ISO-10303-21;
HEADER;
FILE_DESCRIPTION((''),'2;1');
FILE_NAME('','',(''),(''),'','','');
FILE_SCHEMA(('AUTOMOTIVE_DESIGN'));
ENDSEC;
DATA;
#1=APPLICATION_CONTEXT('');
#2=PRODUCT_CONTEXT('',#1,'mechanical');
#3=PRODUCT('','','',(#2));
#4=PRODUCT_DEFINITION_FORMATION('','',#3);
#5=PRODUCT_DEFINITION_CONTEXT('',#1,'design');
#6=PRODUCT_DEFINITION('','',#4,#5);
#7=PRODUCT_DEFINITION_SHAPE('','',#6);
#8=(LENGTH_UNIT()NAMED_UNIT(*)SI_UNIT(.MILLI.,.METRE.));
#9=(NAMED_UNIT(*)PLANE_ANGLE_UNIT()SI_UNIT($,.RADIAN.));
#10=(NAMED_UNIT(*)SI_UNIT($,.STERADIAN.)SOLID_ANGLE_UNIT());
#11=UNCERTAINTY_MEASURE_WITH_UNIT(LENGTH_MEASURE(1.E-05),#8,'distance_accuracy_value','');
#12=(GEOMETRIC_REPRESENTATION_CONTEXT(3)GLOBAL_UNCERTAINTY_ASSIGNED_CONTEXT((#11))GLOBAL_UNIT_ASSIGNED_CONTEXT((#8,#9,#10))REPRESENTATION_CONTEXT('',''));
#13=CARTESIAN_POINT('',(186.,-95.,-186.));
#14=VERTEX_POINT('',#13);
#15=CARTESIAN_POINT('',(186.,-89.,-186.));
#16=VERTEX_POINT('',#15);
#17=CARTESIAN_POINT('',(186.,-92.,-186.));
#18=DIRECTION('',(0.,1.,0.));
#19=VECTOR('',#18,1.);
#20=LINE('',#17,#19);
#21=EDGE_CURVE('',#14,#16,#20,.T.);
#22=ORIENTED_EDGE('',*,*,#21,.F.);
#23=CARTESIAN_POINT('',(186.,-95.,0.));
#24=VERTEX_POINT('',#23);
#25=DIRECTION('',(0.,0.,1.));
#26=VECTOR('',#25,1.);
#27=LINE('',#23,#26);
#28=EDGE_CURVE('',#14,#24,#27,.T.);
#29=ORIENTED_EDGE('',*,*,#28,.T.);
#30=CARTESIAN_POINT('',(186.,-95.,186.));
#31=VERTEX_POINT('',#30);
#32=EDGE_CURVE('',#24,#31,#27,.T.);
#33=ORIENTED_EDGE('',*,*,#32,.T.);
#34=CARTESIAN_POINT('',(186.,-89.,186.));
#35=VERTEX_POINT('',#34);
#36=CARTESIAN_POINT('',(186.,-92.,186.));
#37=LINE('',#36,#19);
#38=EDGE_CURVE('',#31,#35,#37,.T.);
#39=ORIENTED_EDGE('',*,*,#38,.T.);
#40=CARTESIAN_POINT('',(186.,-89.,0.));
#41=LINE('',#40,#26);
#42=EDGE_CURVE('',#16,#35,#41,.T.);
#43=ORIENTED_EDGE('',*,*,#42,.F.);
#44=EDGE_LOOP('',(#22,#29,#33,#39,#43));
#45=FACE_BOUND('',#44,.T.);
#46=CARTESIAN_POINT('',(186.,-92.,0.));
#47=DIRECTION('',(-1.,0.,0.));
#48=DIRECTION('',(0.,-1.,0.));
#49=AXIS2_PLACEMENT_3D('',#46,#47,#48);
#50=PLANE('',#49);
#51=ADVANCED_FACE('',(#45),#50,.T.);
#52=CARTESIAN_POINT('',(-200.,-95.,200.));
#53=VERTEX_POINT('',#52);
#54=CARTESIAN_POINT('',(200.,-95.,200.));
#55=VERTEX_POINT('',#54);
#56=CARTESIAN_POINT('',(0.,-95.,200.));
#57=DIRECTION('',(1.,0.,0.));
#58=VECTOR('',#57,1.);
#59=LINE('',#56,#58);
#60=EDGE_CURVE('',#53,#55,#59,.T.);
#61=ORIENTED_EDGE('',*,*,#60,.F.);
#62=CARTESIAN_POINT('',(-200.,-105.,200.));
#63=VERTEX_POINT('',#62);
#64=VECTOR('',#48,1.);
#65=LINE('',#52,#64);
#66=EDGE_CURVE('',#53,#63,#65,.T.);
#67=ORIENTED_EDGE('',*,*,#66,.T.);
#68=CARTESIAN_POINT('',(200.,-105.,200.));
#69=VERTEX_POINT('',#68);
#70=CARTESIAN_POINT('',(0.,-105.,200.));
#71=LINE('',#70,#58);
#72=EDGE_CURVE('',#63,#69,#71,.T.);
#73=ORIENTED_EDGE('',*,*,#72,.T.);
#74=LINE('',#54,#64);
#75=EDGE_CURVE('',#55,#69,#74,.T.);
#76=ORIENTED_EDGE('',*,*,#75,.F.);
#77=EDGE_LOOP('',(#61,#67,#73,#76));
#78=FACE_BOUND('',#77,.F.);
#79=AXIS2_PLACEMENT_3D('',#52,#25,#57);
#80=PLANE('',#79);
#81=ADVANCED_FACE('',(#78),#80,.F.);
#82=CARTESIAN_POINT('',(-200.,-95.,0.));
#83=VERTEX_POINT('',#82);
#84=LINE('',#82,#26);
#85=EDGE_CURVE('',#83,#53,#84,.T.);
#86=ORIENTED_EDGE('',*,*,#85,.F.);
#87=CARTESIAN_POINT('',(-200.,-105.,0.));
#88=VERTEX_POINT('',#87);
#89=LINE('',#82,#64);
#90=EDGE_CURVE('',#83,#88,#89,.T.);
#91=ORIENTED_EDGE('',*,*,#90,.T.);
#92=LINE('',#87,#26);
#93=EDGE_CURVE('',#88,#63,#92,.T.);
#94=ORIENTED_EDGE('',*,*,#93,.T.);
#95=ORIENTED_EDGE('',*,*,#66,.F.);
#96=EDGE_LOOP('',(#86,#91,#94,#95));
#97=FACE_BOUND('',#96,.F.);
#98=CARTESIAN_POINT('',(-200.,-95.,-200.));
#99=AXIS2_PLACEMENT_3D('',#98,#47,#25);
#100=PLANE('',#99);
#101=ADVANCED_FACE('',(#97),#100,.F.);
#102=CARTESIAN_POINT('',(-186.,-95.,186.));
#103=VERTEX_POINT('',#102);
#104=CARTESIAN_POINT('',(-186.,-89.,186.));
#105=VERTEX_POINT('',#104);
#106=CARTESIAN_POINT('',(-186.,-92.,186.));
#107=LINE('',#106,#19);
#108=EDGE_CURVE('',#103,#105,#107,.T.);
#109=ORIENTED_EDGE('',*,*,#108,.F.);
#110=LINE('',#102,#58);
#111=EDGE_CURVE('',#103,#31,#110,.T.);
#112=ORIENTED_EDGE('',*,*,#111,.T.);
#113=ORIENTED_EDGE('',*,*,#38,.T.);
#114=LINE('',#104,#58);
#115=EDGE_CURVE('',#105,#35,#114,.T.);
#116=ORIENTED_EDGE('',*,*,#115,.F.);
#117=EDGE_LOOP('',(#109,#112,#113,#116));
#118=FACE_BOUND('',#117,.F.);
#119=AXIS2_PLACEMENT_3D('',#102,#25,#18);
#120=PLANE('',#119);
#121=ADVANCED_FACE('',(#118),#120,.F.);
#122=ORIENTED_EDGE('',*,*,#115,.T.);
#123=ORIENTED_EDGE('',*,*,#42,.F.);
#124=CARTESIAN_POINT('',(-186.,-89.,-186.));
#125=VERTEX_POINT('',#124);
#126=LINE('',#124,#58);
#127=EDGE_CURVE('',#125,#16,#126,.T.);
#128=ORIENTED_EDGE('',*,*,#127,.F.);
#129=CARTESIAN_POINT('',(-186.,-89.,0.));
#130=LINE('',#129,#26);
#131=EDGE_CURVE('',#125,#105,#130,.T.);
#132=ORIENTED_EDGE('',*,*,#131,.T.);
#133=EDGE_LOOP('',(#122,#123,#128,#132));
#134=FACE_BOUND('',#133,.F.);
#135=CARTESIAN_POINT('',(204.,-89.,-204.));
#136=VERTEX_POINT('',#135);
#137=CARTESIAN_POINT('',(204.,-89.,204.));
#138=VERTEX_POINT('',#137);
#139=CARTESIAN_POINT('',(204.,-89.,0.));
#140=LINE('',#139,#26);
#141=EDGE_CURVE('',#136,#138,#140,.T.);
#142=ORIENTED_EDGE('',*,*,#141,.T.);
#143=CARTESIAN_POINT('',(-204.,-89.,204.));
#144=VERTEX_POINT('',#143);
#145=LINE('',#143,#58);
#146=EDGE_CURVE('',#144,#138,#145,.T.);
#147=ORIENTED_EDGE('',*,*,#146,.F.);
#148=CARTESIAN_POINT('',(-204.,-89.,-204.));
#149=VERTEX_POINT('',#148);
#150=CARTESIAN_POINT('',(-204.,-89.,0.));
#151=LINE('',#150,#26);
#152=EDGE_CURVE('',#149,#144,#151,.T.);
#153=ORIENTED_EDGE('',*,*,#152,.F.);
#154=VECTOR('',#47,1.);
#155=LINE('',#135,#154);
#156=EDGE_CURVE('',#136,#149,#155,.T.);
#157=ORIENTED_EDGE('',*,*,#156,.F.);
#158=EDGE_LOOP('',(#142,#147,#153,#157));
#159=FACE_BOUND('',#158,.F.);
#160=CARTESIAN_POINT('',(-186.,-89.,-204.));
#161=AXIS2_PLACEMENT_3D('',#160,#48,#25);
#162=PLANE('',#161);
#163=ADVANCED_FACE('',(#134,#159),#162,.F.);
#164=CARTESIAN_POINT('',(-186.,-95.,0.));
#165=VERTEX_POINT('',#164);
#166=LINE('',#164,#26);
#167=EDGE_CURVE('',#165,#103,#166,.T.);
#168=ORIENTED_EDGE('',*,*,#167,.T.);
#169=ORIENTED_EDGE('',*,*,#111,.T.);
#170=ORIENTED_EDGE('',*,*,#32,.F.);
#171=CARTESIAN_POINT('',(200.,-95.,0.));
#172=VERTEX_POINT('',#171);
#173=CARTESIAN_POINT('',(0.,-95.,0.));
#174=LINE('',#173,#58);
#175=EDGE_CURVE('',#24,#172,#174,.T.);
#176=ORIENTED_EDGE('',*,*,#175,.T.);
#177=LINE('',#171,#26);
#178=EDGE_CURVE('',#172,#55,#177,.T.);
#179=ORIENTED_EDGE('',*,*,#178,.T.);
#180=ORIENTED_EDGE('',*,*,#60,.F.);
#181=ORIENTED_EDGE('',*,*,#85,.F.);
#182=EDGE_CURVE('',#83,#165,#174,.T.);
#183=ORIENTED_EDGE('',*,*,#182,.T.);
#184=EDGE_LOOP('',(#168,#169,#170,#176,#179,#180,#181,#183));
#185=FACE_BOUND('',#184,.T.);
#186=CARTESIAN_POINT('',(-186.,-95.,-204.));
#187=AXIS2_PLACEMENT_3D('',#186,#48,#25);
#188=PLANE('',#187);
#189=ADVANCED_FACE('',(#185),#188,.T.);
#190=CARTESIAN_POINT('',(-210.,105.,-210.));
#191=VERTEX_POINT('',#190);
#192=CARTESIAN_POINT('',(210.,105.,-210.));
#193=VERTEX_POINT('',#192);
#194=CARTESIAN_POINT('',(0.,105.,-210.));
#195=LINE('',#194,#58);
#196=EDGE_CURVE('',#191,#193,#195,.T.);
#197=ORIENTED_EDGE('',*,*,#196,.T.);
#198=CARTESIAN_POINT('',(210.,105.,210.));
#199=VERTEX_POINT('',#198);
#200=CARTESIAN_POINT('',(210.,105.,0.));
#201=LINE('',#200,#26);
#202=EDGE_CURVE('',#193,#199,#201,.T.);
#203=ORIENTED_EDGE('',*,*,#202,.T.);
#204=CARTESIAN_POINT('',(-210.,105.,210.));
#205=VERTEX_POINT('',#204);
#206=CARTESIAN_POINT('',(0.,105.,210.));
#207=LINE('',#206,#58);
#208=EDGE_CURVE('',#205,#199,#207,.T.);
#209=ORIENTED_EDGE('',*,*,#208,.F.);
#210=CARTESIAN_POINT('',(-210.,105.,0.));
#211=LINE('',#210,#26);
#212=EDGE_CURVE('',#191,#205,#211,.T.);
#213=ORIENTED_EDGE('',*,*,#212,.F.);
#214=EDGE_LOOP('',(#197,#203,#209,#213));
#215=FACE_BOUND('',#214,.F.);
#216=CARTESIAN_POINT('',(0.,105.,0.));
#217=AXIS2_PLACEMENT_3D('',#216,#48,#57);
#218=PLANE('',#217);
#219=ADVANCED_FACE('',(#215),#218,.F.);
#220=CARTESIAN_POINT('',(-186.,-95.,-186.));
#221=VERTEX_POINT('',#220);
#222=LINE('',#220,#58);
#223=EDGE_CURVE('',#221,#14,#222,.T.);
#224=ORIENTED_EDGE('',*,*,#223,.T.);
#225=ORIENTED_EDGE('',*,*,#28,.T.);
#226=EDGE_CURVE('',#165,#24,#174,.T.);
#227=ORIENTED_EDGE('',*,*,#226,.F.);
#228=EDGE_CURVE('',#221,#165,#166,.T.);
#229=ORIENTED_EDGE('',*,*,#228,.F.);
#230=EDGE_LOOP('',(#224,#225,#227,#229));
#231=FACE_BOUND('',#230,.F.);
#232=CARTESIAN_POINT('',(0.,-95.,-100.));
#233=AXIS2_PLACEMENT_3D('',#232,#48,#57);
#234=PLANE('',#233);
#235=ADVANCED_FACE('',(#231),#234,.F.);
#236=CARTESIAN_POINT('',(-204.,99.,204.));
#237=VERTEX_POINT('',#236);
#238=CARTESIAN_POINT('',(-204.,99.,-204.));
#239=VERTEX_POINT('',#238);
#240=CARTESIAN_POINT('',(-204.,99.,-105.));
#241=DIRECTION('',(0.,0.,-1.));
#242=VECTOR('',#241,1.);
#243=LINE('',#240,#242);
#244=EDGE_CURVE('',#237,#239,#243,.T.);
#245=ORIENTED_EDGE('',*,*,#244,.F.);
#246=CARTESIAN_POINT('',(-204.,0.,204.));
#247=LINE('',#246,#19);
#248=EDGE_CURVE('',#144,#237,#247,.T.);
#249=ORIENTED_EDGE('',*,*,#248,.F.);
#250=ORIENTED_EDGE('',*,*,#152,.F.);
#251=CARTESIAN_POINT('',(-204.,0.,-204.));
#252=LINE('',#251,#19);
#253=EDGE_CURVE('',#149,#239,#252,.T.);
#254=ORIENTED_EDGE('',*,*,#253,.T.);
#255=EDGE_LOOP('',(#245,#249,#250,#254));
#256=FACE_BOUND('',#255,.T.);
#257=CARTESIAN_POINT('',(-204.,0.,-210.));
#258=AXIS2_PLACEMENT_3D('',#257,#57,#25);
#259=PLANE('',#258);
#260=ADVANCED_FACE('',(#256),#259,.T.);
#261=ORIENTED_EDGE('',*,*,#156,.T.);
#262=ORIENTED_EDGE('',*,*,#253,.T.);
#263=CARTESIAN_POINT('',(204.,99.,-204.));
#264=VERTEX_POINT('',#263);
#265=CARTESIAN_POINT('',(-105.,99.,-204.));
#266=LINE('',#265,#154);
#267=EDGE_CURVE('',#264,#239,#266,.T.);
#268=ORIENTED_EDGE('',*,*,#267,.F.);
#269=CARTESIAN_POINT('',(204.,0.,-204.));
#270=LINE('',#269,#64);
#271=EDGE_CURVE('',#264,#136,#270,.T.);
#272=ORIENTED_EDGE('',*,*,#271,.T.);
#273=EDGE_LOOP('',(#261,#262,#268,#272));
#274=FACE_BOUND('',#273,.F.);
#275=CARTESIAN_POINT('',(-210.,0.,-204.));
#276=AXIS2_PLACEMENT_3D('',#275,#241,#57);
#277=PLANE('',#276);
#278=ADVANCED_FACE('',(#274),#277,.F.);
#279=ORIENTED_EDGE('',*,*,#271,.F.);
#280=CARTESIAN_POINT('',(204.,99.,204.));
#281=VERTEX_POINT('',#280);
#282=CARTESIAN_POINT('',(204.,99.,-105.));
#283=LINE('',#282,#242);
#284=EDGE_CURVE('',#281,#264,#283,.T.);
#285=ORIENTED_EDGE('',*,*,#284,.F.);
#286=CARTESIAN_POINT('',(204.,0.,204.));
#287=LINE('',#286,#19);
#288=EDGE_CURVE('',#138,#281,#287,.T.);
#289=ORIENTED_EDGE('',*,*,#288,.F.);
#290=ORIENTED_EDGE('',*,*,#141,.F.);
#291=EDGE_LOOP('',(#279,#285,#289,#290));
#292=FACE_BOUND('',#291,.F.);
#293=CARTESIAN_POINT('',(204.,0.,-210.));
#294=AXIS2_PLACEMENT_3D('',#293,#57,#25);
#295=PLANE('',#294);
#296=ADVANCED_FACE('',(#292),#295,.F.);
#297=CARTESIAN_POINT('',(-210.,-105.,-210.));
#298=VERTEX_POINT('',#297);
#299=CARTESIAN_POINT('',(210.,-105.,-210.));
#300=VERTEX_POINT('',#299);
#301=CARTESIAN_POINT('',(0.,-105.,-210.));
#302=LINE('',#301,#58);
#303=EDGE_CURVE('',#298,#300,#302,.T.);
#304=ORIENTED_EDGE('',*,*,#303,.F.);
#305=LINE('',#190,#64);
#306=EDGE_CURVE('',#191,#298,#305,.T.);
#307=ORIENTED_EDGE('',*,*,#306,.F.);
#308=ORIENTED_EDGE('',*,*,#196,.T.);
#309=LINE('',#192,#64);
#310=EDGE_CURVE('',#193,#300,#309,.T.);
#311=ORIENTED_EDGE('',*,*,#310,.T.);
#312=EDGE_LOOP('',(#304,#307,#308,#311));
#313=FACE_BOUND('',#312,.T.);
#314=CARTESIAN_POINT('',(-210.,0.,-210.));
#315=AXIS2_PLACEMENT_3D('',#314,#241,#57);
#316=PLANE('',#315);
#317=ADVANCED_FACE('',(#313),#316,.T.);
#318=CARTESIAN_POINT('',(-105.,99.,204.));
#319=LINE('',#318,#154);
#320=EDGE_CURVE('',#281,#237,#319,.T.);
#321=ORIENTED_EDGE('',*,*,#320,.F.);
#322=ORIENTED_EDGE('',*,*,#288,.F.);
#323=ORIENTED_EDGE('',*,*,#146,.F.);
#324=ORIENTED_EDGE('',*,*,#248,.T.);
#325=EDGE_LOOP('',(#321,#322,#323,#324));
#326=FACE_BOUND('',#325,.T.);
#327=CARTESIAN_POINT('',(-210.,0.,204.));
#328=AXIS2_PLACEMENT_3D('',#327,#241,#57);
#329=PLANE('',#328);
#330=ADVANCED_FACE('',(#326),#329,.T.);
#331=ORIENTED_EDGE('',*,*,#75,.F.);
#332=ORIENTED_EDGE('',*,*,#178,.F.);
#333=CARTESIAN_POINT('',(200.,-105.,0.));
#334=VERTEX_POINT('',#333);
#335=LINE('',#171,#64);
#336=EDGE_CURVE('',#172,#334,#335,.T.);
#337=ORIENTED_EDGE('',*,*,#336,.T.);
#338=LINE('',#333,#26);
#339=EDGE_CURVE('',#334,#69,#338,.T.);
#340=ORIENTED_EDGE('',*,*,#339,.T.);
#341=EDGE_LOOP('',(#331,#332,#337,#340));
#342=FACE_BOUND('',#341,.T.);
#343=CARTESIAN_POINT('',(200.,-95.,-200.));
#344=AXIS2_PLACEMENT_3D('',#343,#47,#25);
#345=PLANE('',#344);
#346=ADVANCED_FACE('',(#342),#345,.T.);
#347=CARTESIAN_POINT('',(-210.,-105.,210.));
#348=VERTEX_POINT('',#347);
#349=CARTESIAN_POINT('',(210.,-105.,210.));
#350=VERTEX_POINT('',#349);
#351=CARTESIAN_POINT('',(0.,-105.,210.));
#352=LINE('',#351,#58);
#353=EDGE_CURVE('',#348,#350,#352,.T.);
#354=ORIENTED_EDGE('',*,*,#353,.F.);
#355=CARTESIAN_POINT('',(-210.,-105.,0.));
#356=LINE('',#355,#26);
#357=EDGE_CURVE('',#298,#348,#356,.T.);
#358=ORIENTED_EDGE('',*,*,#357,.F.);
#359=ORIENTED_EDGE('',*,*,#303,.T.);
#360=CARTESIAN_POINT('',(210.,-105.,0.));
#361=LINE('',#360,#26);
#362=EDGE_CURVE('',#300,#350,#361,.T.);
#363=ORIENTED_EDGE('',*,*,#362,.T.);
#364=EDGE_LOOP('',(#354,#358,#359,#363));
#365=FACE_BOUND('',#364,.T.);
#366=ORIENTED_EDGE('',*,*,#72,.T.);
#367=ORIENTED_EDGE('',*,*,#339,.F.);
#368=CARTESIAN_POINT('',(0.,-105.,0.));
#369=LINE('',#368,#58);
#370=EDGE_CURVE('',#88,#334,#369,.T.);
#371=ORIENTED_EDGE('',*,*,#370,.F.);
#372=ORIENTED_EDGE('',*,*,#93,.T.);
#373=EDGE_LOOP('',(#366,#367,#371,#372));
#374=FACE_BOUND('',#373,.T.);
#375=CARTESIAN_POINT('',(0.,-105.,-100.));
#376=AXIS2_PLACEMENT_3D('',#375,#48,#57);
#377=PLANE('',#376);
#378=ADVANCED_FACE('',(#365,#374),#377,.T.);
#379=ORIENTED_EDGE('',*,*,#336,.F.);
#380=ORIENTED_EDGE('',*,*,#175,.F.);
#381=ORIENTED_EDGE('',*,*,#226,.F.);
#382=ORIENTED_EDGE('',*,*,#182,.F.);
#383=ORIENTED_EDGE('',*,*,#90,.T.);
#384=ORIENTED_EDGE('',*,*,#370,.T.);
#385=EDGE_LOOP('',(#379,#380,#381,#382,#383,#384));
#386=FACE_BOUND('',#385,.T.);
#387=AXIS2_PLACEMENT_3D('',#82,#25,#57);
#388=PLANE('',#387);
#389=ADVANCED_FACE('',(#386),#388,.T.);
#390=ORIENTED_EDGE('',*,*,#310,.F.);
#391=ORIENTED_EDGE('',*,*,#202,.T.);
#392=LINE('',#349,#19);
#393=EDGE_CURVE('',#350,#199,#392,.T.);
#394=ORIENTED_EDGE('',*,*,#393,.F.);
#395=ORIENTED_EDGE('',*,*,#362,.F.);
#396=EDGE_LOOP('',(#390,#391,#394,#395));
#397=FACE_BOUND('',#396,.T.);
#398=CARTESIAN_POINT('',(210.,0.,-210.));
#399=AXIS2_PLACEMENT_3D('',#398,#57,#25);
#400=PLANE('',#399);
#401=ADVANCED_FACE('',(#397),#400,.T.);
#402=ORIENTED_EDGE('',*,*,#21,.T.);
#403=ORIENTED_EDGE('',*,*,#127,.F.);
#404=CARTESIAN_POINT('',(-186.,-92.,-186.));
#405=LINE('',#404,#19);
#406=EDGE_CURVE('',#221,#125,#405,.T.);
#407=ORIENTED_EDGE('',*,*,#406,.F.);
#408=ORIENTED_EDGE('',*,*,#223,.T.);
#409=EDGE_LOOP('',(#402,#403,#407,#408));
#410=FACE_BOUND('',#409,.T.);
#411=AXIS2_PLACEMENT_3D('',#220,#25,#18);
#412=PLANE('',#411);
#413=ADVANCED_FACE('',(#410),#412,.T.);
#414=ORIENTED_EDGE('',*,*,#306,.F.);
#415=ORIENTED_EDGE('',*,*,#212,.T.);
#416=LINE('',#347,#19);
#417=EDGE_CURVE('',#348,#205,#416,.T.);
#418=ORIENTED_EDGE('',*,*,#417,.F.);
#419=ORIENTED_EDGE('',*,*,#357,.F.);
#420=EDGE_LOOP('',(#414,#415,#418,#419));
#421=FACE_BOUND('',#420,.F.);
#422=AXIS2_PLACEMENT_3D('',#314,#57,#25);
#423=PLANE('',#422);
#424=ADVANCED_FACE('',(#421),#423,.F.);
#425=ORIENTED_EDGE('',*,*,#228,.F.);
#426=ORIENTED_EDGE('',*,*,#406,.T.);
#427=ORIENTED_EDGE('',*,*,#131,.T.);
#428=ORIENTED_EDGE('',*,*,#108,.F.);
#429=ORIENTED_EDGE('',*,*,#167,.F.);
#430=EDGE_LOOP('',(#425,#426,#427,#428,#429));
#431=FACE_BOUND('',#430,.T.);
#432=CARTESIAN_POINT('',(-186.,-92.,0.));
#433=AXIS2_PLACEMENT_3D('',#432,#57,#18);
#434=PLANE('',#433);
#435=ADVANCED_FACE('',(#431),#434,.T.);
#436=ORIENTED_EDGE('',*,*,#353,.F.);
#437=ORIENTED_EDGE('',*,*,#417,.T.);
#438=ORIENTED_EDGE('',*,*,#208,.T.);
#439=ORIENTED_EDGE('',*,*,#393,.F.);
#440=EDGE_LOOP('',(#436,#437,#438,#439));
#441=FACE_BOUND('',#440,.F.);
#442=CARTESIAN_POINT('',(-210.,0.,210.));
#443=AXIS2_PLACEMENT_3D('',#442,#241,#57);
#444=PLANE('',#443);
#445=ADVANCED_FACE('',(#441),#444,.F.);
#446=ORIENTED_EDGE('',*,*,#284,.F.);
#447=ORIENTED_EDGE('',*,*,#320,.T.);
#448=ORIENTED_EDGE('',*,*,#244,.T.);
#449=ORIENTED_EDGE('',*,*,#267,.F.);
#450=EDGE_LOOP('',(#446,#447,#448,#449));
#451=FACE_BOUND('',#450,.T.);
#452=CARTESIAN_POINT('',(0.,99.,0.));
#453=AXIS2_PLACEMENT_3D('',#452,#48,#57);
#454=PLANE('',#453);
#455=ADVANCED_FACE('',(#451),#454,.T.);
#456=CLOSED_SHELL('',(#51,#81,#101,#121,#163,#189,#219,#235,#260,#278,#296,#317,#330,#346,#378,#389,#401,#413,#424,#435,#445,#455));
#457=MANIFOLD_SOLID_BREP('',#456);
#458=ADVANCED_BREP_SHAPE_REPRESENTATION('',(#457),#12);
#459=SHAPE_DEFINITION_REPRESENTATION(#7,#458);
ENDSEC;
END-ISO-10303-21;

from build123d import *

# Parameters (mm, degrees)
F0_W      = 420
F0_H      = 420
F1_DEPTH  = 105
F2_T      = -6
F3_W      = 6
F3_H      = 408
F4_DEPTH  = 18
F5_W      = 6
F5_H      = 408
F6_DEPTH  = 18
F7_W      = 6
F7_H      = 18
F8_DEPTH  = 372
F9_W      = 6
F9_H      = 18
F10_DEPTH = 372
F11_W     = 408
F11_H     = 408
F11_W_2   = 400
F11_H_2   = 400
F12_DEPTH = 10
F13_W     = 400
F13_H     = 200
F14_DEPTH = 10


with BuildPart() as f1:
    # F0 (on Front) → F1 (new body, symmetric)
    with BuildSketch(Plane.XZ):
        Rectangle(F0_W, F0_H)
    extrude(amount=F1_DEPTH, both=True)

    # F2
    f2_openings = [f1.faces().sort_by_distance(p)[0] for p in [
        (0, -105, 0),
    ]]
    offset(amount=F2_T, openings=f2_openings)

    # F3 (on face) → F4 (join)
    with BuildSketch(Plane.YZ.offset(-204)):
        with Locations((-92, 0)):
            Rectangle(F3_W, F3_H)
    extrude(amount=F4_DEPTH)

    # F5 (on face) → F6 (join)
    with BuildSketch(Plane(origin=(204, 0, 0), x_dir=(0, -1, 0), z_dir=(-1, 0, 0))):
        with Locations((92, 0)):
            Rectangle(F5_W, F5_H)
    extrude(amount=F6_DEPTH)

    # F7 (on face) → F8 (join, through all)
    with BuildSketch(Plane.YZ.offset(-186)):
        with Locations((-92, 195)):
            Rectangle(F7_W, F7_H)
    extrude(amount=F8_DEPTH)

    # F9 (on face) → F10 (join, through all)
    with BuildSketch(Plane.YZ.offset(-186)):
        with Locations((-92, -195)):
            Rectangle(F9_W, F9_H)
    extrude(amount=F10_DEPTH)

    # F11 (on face) → F12 (join)
    with BuildSketch(Plane.XZ.offset(95)):
        Rectangle(F11_W, F11_H)
        Rectangle(F11_W_2, F11_H_2, mode=Mode.SUBTRACT)
    extrude(amount=F12_DEPTH)

    # F13 (on face) → F14 (join)
    with BuildSketch(Plane.XZ.offset(95)):
        with Locations((0, -100)):
            Rectangle(F13_W, F13_H)
    extrude(amount=F14_DEPTH)


solid = f1.part
